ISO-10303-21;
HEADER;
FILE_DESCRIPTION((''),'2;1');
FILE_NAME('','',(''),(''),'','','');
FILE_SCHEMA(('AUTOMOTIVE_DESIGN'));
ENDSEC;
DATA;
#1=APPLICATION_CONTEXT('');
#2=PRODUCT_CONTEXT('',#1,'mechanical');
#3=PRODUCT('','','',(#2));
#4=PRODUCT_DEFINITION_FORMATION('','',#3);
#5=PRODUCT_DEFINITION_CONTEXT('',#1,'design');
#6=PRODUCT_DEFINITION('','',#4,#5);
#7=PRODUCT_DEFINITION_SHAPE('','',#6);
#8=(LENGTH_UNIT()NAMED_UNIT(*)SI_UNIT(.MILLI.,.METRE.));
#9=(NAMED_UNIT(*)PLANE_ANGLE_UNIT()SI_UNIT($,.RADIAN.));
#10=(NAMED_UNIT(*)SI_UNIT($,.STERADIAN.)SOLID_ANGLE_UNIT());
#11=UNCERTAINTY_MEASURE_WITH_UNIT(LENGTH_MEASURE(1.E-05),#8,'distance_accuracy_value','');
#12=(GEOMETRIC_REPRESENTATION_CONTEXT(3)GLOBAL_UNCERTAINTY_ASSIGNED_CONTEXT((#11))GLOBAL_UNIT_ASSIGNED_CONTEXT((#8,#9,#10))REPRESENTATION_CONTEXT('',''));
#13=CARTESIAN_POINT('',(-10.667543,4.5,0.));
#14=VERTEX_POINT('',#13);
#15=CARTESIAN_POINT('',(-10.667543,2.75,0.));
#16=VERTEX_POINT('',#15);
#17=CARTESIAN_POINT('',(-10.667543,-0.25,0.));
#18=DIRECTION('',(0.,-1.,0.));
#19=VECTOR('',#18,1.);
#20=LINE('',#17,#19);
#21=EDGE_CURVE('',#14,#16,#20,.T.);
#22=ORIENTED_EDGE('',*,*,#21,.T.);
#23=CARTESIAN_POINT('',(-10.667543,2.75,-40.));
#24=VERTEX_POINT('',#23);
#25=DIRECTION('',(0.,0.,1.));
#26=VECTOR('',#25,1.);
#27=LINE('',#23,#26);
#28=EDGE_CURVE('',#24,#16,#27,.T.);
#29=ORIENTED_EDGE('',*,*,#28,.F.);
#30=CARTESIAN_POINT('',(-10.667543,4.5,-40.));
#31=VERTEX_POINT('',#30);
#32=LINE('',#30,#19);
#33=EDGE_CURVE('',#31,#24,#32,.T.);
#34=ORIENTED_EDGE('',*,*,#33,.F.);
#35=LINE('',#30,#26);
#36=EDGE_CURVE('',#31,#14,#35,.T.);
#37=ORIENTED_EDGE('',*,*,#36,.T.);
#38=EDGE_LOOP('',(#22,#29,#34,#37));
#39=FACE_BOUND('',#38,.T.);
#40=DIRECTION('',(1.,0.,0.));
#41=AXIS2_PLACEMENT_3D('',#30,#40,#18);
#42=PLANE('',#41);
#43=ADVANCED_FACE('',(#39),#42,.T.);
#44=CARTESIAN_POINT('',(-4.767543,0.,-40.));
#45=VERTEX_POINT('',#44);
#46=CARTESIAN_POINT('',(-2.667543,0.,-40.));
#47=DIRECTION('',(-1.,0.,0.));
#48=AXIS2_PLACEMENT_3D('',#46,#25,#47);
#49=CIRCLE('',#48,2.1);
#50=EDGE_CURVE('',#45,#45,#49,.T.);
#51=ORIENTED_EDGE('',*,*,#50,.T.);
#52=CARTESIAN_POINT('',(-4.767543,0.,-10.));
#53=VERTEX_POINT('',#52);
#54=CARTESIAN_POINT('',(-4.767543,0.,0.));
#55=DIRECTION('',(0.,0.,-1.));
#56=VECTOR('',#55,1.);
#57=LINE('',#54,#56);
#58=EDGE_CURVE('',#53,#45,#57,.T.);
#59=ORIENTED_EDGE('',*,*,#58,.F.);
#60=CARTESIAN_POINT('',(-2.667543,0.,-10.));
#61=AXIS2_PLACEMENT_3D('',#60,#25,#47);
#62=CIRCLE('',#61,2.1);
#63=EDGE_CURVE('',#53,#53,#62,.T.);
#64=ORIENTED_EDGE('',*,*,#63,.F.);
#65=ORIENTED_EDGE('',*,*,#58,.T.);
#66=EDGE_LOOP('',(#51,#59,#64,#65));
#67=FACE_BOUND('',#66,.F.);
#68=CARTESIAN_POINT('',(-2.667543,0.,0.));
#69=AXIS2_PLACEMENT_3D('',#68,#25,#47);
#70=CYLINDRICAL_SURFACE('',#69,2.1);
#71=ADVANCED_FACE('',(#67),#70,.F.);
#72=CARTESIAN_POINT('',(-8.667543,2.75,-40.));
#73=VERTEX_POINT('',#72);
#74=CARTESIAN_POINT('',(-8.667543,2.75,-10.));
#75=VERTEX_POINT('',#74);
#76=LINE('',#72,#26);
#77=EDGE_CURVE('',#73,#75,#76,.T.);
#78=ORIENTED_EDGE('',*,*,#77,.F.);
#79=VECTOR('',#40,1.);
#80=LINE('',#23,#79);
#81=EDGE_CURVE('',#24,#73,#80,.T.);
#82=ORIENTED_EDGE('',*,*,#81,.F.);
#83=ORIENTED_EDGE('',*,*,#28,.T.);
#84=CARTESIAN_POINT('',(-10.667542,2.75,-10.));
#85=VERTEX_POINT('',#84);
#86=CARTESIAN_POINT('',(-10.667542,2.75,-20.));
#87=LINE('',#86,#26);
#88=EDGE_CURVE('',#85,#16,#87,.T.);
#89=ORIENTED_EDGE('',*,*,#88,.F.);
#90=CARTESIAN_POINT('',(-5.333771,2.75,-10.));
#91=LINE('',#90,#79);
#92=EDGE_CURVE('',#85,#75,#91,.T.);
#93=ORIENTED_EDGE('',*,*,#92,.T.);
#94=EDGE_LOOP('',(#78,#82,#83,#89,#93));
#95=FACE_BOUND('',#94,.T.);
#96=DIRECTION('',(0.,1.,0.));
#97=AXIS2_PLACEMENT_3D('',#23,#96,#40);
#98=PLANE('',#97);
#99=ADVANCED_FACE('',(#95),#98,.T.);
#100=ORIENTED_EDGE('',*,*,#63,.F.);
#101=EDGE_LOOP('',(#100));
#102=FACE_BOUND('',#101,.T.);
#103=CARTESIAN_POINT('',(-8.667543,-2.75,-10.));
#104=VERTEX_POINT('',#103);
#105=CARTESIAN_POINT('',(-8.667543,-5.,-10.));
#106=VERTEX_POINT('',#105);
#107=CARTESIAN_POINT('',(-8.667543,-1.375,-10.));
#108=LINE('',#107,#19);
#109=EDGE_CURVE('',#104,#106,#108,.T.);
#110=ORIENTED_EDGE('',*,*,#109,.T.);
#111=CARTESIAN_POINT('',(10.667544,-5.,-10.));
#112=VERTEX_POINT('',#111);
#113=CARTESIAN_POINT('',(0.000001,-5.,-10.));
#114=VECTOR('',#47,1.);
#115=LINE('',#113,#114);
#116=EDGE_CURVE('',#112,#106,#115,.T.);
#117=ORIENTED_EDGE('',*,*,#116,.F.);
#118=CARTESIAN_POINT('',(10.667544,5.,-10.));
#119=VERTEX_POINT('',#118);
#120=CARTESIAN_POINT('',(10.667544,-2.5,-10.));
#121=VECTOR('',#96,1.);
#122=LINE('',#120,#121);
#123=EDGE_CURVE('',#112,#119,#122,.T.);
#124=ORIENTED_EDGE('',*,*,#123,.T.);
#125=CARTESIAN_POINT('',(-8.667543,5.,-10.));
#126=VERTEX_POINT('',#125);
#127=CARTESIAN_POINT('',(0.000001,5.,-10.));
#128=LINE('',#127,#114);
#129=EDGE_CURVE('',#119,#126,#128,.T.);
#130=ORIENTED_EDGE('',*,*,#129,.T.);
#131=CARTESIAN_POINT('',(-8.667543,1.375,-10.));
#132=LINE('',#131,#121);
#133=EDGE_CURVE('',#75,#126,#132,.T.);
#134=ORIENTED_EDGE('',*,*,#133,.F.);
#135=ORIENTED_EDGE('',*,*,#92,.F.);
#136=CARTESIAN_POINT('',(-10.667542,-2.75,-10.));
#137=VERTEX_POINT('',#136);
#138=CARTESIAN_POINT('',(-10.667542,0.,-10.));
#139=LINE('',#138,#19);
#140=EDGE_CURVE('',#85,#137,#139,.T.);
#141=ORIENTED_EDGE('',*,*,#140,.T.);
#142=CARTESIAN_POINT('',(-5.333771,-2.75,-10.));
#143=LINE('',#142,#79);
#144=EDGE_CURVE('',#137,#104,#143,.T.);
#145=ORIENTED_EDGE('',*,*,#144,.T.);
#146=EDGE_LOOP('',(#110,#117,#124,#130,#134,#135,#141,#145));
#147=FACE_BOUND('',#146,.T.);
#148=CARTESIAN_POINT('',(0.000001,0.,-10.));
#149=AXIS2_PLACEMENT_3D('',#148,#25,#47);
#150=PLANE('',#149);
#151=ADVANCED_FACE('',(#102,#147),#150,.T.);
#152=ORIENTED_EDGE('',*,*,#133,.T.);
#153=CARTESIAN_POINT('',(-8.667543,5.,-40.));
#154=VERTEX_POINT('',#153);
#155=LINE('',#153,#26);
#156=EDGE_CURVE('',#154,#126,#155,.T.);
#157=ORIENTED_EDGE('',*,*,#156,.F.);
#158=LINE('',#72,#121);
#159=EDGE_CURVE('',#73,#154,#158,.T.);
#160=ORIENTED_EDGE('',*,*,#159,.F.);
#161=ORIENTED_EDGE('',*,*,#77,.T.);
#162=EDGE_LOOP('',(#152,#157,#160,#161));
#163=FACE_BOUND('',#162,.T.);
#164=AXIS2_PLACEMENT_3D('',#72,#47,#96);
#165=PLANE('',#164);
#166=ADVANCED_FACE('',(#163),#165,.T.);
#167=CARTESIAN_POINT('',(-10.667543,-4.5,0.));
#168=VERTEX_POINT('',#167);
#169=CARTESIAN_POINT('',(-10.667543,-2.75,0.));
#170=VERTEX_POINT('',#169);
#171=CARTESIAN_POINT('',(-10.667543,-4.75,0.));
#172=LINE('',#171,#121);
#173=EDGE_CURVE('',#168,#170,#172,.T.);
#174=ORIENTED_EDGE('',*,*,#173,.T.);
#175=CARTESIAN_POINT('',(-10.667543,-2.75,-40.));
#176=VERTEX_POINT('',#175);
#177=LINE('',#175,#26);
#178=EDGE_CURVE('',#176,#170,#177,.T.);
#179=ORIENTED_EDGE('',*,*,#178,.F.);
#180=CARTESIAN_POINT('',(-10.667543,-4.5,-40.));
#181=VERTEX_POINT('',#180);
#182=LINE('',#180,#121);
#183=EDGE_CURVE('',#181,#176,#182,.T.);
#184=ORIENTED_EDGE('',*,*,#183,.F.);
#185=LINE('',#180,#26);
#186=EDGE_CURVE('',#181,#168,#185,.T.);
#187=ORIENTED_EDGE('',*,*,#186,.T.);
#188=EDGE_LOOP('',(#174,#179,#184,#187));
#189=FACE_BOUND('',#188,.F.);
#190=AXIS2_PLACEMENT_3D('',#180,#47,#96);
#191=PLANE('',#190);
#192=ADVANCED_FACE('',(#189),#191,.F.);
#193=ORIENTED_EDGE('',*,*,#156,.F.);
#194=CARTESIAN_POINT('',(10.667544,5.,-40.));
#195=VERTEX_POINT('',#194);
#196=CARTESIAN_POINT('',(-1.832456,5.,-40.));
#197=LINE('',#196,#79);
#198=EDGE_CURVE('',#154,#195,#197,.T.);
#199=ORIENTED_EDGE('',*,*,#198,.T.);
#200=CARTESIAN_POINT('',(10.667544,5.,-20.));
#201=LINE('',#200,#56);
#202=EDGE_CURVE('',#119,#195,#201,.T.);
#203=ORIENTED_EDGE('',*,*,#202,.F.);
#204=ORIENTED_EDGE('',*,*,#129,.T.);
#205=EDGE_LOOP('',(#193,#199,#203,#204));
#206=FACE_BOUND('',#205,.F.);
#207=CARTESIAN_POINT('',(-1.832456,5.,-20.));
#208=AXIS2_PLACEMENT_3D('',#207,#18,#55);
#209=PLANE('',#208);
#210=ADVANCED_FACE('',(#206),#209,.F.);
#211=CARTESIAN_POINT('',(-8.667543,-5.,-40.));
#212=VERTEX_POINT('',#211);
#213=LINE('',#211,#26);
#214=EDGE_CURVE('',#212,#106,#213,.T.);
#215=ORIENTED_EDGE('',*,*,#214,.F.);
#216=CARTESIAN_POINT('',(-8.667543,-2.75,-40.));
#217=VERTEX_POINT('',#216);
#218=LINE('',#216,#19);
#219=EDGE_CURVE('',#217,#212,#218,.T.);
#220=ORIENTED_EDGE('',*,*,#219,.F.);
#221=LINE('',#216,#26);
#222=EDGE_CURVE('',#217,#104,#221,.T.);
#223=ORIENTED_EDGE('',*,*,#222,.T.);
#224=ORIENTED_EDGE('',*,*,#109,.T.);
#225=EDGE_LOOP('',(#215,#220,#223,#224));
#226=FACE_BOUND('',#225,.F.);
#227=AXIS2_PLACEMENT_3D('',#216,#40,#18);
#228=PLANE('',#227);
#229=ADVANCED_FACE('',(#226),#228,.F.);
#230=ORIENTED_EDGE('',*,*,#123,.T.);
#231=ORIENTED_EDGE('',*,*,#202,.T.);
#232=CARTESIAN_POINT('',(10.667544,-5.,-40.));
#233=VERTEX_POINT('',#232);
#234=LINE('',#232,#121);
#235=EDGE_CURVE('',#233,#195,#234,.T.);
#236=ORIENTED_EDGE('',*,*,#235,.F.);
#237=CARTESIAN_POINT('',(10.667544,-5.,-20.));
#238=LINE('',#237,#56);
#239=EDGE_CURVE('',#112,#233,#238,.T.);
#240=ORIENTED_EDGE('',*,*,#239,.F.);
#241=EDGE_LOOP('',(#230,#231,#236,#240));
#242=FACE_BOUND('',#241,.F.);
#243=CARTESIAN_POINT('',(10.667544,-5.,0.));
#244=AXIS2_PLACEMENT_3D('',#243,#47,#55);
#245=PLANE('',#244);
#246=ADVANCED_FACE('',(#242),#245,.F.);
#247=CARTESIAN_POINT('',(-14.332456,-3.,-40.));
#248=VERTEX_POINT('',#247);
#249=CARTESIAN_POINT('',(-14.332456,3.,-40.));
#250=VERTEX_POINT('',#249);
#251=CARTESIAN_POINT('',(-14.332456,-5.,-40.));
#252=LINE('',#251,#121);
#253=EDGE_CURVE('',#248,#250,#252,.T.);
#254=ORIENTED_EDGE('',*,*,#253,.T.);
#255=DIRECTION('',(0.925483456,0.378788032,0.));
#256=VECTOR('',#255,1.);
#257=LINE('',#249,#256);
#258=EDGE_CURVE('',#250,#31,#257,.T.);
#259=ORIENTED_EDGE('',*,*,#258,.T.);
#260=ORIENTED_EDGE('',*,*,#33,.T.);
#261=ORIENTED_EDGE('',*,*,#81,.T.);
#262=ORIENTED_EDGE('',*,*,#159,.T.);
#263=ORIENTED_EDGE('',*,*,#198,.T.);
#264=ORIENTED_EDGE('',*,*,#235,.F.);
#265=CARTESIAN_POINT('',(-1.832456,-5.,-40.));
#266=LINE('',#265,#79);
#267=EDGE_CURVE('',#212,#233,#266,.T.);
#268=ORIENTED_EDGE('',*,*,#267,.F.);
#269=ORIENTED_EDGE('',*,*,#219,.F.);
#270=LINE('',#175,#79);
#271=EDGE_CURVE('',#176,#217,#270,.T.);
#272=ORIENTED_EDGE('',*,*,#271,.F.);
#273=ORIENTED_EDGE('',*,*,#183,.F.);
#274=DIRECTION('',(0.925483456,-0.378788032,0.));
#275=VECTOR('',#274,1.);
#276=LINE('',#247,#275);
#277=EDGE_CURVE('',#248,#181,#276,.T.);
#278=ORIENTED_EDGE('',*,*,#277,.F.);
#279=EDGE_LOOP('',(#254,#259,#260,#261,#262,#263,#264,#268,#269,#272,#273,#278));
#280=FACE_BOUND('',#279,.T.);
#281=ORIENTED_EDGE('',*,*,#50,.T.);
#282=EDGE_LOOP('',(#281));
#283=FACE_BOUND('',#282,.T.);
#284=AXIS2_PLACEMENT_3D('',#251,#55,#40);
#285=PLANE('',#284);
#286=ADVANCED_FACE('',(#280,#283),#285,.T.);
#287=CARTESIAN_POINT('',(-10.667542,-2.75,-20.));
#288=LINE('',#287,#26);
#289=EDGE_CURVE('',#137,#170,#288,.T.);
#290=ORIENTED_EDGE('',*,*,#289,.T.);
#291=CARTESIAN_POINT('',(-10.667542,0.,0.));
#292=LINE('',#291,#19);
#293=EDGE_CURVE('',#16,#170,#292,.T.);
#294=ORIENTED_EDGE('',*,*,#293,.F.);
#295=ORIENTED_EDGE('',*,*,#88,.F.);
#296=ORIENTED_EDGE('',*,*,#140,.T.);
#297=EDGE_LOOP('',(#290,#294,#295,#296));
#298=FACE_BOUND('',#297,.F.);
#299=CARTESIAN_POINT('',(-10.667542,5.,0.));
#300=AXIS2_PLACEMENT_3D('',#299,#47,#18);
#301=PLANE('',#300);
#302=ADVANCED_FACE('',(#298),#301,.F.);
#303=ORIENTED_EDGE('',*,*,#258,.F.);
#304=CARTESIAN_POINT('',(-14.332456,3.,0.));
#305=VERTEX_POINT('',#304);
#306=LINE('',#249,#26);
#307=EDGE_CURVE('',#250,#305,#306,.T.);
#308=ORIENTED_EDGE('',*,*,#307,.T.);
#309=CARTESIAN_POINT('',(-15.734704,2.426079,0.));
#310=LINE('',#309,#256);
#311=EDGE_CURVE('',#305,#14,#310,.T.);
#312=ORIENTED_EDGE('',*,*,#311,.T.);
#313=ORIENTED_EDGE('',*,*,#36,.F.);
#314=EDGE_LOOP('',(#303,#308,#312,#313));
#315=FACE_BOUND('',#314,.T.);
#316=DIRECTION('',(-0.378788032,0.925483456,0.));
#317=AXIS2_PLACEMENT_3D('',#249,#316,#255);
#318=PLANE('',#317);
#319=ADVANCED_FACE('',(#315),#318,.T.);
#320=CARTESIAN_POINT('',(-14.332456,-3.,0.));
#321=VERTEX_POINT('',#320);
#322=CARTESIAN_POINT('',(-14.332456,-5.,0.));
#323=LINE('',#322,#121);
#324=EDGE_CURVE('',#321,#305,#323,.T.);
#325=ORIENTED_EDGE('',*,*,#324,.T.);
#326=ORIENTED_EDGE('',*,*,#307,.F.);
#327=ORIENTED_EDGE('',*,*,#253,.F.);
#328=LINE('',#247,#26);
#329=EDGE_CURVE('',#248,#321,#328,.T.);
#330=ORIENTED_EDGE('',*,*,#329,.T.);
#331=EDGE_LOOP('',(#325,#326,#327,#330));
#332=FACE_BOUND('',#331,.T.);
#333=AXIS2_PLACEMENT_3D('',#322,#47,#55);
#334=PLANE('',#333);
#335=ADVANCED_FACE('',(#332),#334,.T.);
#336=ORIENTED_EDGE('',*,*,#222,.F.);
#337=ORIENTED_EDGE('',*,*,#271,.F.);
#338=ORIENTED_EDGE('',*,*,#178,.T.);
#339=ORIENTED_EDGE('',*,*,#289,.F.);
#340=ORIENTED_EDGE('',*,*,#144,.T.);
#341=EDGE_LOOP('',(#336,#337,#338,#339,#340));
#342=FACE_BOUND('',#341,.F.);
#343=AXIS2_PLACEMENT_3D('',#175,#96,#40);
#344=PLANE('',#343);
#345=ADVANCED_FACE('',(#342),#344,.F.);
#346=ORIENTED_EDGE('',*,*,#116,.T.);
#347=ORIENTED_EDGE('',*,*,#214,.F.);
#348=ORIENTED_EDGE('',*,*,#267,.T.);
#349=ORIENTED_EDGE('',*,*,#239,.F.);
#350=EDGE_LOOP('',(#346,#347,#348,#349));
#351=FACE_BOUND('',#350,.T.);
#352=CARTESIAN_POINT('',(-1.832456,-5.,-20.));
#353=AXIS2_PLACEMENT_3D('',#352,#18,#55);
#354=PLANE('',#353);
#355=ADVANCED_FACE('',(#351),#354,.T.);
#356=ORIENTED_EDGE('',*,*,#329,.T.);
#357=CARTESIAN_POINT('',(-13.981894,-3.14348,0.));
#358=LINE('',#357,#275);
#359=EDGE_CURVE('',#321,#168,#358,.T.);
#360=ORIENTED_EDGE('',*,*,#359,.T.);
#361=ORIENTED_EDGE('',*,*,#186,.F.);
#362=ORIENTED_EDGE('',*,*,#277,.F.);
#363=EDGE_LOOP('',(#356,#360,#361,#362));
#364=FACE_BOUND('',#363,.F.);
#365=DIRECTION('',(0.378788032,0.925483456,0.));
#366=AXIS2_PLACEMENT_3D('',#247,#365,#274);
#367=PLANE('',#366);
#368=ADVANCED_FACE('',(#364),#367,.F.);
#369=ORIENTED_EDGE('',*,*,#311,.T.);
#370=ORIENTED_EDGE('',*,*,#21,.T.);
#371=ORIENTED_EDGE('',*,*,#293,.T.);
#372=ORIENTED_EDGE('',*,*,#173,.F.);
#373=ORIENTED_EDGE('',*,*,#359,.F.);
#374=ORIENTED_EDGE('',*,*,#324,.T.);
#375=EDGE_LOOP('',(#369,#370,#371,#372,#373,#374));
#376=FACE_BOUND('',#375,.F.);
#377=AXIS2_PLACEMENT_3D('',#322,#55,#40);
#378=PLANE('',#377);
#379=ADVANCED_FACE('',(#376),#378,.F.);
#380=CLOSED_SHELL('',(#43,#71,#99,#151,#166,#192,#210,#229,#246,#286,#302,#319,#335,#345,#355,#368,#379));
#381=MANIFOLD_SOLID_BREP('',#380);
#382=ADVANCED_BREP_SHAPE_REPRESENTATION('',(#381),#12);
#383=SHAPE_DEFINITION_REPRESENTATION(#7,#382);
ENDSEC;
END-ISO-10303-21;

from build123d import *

# Parameters (mm, degrees)
SKETCH_W              = 40
SKETCH_H              = 25
PAD_DEPTH             = 10
POCKET_DEPTH          = 40.001
SKETCH002_R           = 2.1
POCKET001_DEPTH       = 40.001
SKETCH003_W           = 21.335087
SKETCH003_H           = 10
POCKET002_DEPTH       = 10
CLONE_PITCH_ANGLE     = 90
CLONE_PLACEMENT_ANGLE = -90


with BuildPart() as part:
    # Sketch → Pad (new body)
    with BuildSketch(Plane.XY):
        Rectangle(SKETCH_W, SKETCH_H)
    extrude(amount=-PAD_DEPTH)

    # Sketch001 → Pocket (cut, through all)
    with BuildSketch(Plane.YZ.offset(20)):
        Polygon((-8.835087, -0.5), (-8.835087, -2.25), (-6.835087, -2.25), (-6.835087, 0), (-12.5, 0), (-12.5, -2), align=None)
        Polygon((-8.835087, -9.5), (-8.835087, -7.75), (-6.835087, -7.75), (-6.835087, -10), (-12.5, -10), (-12.5, -8), align=None)
    extrude(amount=-POCKET_DEPTH, mode=Mode.SUBTRACT)

    # Sketch002 (on Face5 of Pocket) → Pocket001 (cut, through all)
    with BuildSketch(Plane(origin=(-20, 0, 0), x_dir=(0, -1, 0), z_dir=(-1, 0, 0))):
        with Locations((0.835087, -5)):
            Circle(SKETCH002_R)
    extrude(amount=-POCKET001_DEPTH, mode=Mode.SUBTRACT)

    # Sketch003 (on Face5 of Pocket001) → Pocket002 (cut)
    with BuildSketch(Plane(origin=(-20, 0, 0), x_dir=(0, -1, 0), z_dir=(-1, 0, 0))):
        with Locations((-1.832457, -5)):
            Rectangle(SKETCH003_W, SKETCH003_H)
    extrude(amount=-POCKET002_DEPTH, mode=Mode.SUBTRACT)


with BuildPart() as part_1:
    # Clone pitch: moved
    add(part.part.rotate(Axis((0, 0, 0), (0, 1, 0)), CLONE_PITCH_ANGLE))


with BuildPart() as part_2:
    # Clone placement: moved
    add(part_1.part.moved(Location((-1.832456, -5, -20))).rotate(Axis((-1.832456, -5, -20), (0, 0, 1)), CLONE_PLACEMENT_ANGLE))


solid = part_2.part
